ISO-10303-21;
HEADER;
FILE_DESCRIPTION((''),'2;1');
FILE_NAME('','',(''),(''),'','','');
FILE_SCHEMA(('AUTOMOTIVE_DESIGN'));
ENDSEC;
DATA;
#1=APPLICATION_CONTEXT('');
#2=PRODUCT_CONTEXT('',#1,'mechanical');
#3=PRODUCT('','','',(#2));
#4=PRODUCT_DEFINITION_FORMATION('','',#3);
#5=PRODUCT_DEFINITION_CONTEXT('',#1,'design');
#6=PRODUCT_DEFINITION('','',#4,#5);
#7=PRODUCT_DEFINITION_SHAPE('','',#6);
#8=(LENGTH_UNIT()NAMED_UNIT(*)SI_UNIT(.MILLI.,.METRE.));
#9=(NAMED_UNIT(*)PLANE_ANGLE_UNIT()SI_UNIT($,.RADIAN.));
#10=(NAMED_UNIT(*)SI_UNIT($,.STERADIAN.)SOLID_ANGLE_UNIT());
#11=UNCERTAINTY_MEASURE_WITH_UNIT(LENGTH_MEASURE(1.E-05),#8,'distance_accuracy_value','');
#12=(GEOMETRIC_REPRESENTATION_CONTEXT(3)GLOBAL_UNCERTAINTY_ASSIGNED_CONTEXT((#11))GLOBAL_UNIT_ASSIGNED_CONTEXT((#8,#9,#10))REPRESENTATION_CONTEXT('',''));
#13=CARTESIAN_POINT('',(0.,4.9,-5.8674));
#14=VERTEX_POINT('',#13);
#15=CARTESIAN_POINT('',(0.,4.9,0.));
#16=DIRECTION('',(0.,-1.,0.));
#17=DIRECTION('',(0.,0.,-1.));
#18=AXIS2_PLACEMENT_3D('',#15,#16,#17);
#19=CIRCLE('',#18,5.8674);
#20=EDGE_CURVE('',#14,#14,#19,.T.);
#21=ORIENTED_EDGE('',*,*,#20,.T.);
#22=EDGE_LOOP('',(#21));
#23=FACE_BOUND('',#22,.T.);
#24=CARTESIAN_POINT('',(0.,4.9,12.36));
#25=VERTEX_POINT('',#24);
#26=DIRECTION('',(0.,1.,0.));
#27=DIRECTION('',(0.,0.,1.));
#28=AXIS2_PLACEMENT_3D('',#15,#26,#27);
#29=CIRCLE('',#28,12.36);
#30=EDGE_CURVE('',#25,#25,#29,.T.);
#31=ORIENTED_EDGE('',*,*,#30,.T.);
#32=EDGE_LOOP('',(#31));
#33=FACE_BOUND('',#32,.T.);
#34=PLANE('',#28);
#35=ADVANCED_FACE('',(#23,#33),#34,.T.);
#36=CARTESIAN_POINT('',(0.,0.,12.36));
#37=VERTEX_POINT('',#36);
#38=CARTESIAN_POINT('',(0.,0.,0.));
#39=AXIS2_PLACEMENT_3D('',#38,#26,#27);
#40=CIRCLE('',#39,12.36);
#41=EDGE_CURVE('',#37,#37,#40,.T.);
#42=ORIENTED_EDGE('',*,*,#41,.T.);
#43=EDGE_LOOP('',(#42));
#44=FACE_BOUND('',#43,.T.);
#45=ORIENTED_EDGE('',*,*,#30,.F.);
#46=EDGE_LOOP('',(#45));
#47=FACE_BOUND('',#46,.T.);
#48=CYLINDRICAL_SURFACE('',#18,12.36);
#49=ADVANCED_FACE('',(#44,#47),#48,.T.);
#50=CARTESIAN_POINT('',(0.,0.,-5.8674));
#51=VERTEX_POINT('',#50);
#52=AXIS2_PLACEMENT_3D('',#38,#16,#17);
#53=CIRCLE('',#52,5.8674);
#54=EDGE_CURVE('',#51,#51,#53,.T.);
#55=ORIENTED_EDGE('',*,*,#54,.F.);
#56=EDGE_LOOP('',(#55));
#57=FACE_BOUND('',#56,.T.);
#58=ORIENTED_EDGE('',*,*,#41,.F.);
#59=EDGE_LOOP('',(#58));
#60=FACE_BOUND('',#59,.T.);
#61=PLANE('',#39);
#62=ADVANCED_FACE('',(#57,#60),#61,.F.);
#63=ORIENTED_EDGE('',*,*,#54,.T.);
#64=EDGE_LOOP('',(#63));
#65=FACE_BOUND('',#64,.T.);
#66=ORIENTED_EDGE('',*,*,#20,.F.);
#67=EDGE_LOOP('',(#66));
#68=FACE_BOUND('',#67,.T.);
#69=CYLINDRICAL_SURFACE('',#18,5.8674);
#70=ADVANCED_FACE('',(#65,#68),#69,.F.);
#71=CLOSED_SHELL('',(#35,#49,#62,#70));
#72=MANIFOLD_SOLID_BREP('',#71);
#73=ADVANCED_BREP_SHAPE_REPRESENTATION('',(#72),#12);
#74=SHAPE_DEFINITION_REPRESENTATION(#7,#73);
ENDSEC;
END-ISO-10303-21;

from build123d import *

# Parameters (mm, degrees)
SKETCH1_R           = 12.36
BOSS_EXTRUDE1_DEPTH = 4.9
SKETCH2_R           = 5.8674
CUT_EXTRUDE1_DEPTH  = 19.153490023


with BuildPart() as part:
    # Sketch1 → Boss-Extrude1 (new body)
    with BuildSketch(Plane(origin=(0, 0, 0), x_dir=(1, 0, 0), z_dir=(0, 1, 0))):
        with Locations(Location((0, 0, 0), (0, 0, 270))):
            Circle(SKETCH1_R)
    extrude(amount=BOSS_EXTRUDE1_DEPTH)

    # Sketch2 → Cut-Extrude1 (cut, through all)
    with BuildSketch(Plane(origin=(0, 0, 0), x_dir=(-1, 0, 0), z_dir=(0, -1, 0))):
        with Locations(Location((0, 0, 0), (0, 0, 90))):
            Circle(SKETCH2_R)
    extrude(amount=-CUT_EXTRUDE1_DEPTH, mode=Mode.SUBTRACT)


solid = part.part
